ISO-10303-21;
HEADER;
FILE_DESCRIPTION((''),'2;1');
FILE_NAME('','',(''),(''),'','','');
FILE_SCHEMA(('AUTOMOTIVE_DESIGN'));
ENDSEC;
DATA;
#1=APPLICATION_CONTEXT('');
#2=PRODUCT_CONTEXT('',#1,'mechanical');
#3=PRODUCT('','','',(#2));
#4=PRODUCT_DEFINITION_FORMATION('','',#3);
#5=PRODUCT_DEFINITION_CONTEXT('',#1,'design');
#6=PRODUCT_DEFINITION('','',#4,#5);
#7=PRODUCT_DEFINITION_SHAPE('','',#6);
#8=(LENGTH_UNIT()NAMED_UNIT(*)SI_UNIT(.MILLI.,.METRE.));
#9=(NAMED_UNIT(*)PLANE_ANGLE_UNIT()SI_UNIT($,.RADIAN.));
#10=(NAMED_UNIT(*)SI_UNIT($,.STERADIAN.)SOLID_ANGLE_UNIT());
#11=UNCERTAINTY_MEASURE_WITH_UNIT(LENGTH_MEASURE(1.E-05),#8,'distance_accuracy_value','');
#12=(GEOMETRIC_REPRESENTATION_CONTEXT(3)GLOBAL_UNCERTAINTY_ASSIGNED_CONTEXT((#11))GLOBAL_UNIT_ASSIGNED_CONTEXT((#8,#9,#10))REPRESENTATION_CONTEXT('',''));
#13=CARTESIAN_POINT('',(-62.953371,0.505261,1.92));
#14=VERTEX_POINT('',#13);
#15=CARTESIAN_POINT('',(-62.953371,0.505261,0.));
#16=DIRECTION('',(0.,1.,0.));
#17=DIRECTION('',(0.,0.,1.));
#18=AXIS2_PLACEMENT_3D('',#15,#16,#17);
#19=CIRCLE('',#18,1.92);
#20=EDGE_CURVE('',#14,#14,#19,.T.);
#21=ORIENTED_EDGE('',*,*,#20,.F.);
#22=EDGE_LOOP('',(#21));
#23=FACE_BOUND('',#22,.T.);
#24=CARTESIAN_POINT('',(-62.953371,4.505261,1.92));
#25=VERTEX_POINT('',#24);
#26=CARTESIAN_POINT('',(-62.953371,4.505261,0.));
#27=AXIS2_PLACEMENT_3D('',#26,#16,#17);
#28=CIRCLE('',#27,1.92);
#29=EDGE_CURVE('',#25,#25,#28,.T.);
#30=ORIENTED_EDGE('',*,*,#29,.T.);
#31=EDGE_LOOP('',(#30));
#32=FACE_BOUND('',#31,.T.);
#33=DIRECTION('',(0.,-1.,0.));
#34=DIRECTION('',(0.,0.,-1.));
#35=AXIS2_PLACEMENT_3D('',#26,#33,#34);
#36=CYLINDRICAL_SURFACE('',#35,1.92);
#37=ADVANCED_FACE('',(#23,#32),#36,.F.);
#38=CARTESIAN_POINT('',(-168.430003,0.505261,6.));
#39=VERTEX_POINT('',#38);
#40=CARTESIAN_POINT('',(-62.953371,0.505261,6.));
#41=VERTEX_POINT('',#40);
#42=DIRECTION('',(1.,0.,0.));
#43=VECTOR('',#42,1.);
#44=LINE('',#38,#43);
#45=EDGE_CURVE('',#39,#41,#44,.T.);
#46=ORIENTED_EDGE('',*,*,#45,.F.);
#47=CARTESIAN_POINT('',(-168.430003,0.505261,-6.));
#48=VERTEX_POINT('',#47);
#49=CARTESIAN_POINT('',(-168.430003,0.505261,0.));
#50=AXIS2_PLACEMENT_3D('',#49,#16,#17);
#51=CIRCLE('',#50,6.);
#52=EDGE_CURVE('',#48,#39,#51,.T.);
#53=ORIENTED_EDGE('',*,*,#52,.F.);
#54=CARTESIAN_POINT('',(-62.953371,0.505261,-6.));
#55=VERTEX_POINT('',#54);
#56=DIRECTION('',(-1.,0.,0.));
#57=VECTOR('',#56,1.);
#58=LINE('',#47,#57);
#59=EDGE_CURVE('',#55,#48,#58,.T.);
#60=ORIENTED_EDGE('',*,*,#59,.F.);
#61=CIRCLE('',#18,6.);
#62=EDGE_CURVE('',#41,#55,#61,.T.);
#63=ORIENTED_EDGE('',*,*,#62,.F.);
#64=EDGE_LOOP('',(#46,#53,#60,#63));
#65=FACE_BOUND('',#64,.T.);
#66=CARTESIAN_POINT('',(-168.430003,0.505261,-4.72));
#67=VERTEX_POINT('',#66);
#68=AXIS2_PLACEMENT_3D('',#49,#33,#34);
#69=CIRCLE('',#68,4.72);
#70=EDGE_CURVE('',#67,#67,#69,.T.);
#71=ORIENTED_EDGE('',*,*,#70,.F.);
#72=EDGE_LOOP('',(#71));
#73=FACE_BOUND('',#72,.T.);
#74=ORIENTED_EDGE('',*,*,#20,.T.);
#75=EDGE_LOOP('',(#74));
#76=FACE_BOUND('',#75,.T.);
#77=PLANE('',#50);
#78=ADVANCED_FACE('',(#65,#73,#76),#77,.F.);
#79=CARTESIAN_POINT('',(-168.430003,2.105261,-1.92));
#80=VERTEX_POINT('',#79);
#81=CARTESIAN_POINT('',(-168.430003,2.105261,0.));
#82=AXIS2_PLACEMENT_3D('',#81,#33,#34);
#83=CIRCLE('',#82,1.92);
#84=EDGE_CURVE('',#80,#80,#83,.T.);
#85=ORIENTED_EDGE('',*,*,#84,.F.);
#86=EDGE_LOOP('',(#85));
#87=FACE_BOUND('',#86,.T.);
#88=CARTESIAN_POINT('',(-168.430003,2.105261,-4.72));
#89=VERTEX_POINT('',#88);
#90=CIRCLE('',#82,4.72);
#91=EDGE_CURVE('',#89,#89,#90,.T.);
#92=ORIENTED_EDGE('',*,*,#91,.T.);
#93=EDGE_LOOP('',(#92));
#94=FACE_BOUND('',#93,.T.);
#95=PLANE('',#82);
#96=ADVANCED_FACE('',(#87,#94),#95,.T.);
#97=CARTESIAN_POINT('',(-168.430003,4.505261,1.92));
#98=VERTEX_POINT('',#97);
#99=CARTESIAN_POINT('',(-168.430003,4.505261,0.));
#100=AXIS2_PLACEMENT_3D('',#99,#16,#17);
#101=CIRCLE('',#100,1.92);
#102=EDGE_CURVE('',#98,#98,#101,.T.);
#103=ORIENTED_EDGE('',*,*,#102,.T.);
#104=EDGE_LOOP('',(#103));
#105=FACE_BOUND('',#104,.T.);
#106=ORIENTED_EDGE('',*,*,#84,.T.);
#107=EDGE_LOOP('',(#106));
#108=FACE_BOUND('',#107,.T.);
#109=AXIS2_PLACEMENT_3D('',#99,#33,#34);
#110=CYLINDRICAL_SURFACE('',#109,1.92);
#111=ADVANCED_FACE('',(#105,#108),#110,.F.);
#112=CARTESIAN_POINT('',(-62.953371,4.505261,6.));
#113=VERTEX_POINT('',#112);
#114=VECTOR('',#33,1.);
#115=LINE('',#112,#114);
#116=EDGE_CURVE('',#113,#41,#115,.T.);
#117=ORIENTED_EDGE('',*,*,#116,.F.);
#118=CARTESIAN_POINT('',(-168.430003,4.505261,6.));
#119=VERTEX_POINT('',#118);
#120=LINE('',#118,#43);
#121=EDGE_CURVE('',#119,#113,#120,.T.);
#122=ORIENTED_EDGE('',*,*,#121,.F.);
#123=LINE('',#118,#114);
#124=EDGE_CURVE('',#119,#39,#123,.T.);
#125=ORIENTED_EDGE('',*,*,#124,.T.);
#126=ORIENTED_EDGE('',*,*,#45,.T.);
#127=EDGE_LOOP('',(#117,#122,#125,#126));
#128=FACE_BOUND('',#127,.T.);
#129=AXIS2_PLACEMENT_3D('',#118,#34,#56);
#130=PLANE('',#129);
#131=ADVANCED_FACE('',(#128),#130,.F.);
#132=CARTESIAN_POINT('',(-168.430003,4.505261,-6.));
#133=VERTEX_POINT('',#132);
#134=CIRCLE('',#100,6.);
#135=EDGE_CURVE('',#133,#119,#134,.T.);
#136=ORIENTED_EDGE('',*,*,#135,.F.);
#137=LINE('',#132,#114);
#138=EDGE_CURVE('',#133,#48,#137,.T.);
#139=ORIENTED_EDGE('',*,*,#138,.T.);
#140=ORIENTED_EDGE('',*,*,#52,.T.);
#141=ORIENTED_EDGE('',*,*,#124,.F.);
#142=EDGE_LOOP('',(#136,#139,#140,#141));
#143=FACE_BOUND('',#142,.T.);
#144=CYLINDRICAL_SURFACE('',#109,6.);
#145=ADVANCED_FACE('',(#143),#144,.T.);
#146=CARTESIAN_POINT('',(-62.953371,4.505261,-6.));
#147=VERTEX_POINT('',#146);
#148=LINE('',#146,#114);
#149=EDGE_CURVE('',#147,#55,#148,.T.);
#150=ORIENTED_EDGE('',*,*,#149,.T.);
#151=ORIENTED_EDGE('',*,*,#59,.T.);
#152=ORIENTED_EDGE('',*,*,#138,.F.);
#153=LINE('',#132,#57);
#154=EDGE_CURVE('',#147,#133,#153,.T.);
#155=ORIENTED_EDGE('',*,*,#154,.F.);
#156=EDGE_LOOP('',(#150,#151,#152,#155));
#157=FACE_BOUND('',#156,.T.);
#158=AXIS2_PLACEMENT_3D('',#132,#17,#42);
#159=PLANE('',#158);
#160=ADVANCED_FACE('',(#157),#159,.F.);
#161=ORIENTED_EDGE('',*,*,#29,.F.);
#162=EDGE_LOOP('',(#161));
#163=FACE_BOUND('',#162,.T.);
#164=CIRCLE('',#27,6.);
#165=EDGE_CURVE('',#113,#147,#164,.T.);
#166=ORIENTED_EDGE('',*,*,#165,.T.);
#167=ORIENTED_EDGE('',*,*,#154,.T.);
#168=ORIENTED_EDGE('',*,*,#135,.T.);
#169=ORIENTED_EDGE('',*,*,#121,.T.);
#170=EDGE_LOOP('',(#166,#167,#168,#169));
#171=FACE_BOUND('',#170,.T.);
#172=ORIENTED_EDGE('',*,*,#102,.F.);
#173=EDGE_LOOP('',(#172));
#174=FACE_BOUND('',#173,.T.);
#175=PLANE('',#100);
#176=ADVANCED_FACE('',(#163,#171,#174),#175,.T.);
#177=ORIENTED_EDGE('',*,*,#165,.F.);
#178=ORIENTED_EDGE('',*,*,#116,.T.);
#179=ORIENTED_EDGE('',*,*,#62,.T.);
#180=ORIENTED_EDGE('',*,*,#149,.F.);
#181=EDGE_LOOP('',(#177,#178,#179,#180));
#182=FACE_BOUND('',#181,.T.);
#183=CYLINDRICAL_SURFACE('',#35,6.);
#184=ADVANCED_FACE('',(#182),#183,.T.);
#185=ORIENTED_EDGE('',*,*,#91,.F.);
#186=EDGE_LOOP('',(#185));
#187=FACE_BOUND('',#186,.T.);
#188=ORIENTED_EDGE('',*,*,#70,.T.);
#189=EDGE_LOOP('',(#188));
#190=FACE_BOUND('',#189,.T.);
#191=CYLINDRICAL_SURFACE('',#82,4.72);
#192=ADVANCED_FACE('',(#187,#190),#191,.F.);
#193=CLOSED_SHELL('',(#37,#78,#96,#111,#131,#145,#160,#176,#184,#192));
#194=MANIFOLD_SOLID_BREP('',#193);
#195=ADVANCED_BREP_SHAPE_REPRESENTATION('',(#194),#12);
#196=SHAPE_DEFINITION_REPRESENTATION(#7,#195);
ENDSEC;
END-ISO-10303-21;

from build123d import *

# Parameters (mm, degrees)
SKETCH1_R           = 2.4
BOSS_EXTRUDE1_DEPTH = 5
SKETCH2_R           = 5.9
CUT_EXTRUDE1_DEPTH  = 2
SCALE1_SCALE        = 0.8


with BuildPart() as part:
    # Sketch1 → Boss-Extrude1 (new body)
    with BuildSketch(Plane(origin=(0, 0, 0), x_dir=(1, 0, 0), z_dir=(0, 1, 0))):
        with BuildLine():
            Line((-181.84579044, 7.5), (-50, 7.5))
            ThreePointArc((-50, 7.5), (-42.5, 0), (-50, -7.5))
            Line((-50, -7.5), (-181.84579044, -7.5))
            ThreePointArc((-181.84579044, -7.5), (-189.34579044, 0), (-181.84579044, 7.5))
        make_face()
        with Locations(Location((-181.84579044, 0, 0), (0, 0, 270))):
            Circle(SKETCH1_R, mode=Mode.SUBTRACT)
        with Locations(Location((-50, 0, 0), (0, 0, 270))):
            Circle(SKETCH1_R, mode=Mode.SUBTRACT)
    extrude(amount=BOSS_EXTRUDE1_DEPTH)

    # Sketch2 → Cut-Extrude1 (cut)
    with BuildSketch(Plane.XZ):
        with Locations(Location((-181.84579044, 0, 0), (0, 0, 270))):
            Circle(SKETCH2_R)
    extrude(amount=-CUT_EXTRUDE1_DEPTH, mode=Mode.SUBTRACT)


with BuildPart() as part_1:
    # Scale1: scaled about (-114.766854611, 2.52630438, 0)
    add(part.part.scale(SCALE1_SCALE).moved(Location((-22.953370922, 0.505260876, 0))))


solid = part_1.part
